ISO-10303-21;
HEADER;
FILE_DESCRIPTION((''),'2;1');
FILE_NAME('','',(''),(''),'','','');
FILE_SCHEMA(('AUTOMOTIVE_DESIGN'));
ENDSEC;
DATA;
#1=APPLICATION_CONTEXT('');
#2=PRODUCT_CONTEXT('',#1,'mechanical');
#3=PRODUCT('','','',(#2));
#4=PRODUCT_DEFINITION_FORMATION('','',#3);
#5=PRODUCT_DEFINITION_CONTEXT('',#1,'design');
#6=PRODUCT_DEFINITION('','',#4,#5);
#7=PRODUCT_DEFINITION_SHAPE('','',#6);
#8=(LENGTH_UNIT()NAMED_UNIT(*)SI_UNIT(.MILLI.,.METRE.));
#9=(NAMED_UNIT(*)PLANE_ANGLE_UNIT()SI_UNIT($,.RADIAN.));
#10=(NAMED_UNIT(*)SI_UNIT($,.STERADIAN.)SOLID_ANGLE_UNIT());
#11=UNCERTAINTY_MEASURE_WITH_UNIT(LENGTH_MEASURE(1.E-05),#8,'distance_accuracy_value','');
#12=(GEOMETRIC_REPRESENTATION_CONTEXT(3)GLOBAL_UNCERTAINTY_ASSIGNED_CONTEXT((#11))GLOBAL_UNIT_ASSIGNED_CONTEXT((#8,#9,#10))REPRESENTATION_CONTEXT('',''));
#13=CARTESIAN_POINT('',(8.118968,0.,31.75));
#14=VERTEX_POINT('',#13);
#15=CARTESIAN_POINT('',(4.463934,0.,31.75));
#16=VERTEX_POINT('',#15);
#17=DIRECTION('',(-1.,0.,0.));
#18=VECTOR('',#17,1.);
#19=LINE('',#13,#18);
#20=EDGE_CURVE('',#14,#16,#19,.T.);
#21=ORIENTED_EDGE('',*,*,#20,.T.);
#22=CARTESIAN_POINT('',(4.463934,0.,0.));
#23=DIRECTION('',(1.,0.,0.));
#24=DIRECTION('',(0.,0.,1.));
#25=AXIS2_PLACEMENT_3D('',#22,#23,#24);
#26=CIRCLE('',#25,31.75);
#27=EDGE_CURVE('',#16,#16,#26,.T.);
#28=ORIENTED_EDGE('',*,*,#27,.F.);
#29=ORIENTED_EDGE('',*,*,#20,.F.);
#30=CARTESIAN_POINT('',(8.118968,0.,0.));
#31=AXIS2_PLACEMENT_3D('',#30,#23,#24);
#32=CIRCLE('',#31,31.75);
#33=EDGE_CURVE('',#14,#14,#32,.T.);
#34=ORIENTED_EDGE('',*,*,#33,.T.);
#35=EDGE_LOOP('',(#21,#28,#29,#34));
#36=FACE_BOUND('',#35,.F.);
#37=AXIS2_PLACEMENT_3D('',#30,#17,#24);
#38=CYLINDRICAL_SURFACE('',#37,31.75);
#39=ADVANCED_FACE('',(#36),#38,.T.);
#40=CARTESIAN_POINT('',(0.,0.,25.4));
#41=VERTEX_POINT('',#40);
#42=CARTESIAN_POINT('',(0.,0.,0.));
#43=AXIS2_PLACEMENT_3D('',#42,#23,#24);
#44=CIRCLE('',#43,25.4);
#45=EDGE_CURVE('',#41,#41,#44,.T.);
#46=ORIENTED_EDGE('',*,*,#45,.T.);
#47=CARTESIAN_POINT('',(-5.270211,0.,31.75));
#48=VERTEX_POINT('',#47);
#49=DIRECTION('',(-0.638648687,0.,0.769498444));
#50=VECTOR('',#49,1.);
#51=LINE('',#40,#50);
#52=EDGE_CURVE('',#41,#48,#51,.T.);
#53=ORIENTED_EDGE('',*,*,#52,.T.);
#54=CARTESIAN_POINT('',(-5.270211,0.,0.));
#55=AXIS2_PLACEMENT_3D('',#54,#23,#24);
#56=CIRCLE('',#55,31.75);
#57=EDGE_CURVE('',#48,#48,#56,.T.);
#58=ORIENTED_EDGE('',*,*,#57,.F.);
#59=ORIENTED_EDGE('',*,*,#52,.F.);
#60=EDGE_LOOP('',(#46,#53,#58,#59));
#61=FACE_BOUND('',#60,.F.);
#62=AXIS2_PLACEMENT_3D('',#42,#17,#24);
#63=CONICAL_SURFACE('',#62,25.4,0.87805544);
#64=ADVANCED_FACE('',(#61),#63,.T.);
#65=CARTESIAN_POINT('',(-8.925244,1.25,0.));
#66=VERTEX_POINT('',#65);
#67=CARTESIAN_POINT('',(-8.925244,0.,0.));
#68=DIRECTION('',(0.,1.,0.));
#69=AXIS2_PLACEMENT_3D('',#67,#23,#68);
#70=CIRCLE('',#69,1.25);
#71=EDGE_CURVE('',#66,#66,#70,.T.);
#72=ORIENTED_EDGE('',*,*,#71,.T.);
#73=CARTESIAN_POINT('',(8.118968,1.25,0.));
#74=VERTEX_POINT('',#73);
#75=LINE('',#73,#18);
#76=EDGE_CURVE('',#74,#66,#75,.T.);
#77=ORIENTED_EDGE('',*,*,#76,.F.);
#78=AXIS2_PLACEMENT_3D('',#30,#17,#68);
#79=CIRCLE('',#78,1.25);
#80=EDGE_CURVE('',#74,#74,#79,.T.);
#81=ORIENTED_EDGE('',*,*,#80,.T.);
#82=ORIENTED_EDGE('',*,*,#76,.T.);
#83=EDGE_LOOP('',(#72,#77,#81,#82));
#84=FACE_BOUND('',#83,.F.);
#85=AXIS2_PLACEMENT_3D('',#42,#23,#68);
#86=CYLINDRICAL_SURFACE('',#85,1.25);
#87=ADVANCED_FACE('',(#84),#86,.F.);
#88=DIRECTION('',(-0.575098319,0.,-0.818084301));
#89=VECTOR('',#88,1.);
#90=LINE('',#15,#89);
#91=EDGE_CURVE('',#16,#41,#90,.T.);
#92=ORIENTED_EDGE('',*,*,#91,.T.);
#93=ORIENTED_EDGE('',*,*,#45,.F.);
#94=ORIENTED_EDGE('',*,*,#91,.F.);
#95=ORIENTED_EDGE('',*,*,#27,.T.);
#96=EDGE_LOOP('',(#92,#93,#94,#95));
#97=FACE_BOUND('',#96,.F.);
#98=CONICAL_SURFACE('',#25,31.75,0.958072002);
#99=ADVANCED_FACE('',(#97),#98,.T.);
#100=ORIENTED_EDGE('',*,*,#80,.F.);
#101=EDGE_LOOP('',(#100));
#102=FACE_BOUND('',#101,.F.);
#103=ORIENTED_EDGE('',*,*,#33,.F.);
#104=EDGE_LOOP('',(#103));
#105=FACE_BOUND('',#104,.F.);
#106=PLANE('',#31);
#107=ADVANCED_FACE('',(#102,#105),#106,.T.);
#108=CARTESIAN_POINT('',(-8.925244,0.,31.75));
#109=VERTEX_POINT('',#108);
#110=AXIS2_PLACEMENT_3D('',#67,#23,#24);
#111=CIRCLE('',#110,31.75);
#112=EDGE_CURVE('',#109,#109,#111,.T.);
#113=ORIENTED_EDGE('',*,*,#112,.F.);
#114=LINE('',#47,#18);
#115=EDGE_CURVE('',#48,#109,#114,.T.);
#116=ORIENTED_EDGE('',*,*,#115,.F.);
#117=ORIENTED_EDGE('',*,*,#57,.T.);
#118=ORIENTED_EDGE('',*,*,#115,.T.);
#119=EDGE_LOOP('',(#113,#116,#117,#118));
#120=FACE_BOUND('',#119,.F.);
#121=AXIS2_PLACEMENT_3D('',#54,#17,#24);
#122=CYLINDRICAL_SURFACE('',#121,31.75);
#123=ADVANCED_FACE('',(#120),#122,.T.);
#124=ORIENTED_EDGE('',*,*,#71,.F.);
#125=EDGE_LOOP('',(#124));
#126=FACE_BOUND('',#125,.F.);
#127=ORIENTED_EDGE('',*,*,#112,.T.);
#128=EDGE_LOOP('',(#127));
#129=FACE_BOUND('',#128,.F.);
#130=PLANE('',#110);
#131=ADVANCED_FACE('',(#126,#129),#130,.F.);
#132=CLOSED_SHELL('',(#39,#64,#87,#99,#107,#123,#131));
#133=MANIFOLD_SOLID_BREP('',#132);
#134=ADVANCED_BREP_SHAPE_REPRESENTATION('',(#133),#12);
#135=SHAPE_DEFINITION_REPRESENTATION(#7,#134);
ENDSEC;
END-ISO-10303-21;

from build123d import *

# Parameters (mm, degrees)
F2_R          = 1.25
F3_DEPTH      = 20.27429
F3_DEPTH_BACK = 25.4


with BuildPart() as f1:
    # F0 (on Front) → F1 (revolve)
    with BuildSketch(Plane.XZ):
        Polygon((-8.925244, 31.75), (-8.925244, 0), (8.118968, 0), (8.118968, 31.75), (4.463934, 31.75), (0, 25.4), (-5.270211, 31.75), align=None)
    revolve(axis=Axis((32.369299, 0, 0), (1, 0, 0)))

    # F2 (on Right) → F3 (cut, two sides)
    with BuildSketch(Plane.YZ) as f3_sk:
        Circle(F2_R)
    extrude(amount=F3_DEPTH, mode=Mode.SUBTRACT)
    extrude(f3_sk.sketch, amount=-F3_DEPTH_BACK, mode=Mode.SUBTRACT)


solid = f1.part
